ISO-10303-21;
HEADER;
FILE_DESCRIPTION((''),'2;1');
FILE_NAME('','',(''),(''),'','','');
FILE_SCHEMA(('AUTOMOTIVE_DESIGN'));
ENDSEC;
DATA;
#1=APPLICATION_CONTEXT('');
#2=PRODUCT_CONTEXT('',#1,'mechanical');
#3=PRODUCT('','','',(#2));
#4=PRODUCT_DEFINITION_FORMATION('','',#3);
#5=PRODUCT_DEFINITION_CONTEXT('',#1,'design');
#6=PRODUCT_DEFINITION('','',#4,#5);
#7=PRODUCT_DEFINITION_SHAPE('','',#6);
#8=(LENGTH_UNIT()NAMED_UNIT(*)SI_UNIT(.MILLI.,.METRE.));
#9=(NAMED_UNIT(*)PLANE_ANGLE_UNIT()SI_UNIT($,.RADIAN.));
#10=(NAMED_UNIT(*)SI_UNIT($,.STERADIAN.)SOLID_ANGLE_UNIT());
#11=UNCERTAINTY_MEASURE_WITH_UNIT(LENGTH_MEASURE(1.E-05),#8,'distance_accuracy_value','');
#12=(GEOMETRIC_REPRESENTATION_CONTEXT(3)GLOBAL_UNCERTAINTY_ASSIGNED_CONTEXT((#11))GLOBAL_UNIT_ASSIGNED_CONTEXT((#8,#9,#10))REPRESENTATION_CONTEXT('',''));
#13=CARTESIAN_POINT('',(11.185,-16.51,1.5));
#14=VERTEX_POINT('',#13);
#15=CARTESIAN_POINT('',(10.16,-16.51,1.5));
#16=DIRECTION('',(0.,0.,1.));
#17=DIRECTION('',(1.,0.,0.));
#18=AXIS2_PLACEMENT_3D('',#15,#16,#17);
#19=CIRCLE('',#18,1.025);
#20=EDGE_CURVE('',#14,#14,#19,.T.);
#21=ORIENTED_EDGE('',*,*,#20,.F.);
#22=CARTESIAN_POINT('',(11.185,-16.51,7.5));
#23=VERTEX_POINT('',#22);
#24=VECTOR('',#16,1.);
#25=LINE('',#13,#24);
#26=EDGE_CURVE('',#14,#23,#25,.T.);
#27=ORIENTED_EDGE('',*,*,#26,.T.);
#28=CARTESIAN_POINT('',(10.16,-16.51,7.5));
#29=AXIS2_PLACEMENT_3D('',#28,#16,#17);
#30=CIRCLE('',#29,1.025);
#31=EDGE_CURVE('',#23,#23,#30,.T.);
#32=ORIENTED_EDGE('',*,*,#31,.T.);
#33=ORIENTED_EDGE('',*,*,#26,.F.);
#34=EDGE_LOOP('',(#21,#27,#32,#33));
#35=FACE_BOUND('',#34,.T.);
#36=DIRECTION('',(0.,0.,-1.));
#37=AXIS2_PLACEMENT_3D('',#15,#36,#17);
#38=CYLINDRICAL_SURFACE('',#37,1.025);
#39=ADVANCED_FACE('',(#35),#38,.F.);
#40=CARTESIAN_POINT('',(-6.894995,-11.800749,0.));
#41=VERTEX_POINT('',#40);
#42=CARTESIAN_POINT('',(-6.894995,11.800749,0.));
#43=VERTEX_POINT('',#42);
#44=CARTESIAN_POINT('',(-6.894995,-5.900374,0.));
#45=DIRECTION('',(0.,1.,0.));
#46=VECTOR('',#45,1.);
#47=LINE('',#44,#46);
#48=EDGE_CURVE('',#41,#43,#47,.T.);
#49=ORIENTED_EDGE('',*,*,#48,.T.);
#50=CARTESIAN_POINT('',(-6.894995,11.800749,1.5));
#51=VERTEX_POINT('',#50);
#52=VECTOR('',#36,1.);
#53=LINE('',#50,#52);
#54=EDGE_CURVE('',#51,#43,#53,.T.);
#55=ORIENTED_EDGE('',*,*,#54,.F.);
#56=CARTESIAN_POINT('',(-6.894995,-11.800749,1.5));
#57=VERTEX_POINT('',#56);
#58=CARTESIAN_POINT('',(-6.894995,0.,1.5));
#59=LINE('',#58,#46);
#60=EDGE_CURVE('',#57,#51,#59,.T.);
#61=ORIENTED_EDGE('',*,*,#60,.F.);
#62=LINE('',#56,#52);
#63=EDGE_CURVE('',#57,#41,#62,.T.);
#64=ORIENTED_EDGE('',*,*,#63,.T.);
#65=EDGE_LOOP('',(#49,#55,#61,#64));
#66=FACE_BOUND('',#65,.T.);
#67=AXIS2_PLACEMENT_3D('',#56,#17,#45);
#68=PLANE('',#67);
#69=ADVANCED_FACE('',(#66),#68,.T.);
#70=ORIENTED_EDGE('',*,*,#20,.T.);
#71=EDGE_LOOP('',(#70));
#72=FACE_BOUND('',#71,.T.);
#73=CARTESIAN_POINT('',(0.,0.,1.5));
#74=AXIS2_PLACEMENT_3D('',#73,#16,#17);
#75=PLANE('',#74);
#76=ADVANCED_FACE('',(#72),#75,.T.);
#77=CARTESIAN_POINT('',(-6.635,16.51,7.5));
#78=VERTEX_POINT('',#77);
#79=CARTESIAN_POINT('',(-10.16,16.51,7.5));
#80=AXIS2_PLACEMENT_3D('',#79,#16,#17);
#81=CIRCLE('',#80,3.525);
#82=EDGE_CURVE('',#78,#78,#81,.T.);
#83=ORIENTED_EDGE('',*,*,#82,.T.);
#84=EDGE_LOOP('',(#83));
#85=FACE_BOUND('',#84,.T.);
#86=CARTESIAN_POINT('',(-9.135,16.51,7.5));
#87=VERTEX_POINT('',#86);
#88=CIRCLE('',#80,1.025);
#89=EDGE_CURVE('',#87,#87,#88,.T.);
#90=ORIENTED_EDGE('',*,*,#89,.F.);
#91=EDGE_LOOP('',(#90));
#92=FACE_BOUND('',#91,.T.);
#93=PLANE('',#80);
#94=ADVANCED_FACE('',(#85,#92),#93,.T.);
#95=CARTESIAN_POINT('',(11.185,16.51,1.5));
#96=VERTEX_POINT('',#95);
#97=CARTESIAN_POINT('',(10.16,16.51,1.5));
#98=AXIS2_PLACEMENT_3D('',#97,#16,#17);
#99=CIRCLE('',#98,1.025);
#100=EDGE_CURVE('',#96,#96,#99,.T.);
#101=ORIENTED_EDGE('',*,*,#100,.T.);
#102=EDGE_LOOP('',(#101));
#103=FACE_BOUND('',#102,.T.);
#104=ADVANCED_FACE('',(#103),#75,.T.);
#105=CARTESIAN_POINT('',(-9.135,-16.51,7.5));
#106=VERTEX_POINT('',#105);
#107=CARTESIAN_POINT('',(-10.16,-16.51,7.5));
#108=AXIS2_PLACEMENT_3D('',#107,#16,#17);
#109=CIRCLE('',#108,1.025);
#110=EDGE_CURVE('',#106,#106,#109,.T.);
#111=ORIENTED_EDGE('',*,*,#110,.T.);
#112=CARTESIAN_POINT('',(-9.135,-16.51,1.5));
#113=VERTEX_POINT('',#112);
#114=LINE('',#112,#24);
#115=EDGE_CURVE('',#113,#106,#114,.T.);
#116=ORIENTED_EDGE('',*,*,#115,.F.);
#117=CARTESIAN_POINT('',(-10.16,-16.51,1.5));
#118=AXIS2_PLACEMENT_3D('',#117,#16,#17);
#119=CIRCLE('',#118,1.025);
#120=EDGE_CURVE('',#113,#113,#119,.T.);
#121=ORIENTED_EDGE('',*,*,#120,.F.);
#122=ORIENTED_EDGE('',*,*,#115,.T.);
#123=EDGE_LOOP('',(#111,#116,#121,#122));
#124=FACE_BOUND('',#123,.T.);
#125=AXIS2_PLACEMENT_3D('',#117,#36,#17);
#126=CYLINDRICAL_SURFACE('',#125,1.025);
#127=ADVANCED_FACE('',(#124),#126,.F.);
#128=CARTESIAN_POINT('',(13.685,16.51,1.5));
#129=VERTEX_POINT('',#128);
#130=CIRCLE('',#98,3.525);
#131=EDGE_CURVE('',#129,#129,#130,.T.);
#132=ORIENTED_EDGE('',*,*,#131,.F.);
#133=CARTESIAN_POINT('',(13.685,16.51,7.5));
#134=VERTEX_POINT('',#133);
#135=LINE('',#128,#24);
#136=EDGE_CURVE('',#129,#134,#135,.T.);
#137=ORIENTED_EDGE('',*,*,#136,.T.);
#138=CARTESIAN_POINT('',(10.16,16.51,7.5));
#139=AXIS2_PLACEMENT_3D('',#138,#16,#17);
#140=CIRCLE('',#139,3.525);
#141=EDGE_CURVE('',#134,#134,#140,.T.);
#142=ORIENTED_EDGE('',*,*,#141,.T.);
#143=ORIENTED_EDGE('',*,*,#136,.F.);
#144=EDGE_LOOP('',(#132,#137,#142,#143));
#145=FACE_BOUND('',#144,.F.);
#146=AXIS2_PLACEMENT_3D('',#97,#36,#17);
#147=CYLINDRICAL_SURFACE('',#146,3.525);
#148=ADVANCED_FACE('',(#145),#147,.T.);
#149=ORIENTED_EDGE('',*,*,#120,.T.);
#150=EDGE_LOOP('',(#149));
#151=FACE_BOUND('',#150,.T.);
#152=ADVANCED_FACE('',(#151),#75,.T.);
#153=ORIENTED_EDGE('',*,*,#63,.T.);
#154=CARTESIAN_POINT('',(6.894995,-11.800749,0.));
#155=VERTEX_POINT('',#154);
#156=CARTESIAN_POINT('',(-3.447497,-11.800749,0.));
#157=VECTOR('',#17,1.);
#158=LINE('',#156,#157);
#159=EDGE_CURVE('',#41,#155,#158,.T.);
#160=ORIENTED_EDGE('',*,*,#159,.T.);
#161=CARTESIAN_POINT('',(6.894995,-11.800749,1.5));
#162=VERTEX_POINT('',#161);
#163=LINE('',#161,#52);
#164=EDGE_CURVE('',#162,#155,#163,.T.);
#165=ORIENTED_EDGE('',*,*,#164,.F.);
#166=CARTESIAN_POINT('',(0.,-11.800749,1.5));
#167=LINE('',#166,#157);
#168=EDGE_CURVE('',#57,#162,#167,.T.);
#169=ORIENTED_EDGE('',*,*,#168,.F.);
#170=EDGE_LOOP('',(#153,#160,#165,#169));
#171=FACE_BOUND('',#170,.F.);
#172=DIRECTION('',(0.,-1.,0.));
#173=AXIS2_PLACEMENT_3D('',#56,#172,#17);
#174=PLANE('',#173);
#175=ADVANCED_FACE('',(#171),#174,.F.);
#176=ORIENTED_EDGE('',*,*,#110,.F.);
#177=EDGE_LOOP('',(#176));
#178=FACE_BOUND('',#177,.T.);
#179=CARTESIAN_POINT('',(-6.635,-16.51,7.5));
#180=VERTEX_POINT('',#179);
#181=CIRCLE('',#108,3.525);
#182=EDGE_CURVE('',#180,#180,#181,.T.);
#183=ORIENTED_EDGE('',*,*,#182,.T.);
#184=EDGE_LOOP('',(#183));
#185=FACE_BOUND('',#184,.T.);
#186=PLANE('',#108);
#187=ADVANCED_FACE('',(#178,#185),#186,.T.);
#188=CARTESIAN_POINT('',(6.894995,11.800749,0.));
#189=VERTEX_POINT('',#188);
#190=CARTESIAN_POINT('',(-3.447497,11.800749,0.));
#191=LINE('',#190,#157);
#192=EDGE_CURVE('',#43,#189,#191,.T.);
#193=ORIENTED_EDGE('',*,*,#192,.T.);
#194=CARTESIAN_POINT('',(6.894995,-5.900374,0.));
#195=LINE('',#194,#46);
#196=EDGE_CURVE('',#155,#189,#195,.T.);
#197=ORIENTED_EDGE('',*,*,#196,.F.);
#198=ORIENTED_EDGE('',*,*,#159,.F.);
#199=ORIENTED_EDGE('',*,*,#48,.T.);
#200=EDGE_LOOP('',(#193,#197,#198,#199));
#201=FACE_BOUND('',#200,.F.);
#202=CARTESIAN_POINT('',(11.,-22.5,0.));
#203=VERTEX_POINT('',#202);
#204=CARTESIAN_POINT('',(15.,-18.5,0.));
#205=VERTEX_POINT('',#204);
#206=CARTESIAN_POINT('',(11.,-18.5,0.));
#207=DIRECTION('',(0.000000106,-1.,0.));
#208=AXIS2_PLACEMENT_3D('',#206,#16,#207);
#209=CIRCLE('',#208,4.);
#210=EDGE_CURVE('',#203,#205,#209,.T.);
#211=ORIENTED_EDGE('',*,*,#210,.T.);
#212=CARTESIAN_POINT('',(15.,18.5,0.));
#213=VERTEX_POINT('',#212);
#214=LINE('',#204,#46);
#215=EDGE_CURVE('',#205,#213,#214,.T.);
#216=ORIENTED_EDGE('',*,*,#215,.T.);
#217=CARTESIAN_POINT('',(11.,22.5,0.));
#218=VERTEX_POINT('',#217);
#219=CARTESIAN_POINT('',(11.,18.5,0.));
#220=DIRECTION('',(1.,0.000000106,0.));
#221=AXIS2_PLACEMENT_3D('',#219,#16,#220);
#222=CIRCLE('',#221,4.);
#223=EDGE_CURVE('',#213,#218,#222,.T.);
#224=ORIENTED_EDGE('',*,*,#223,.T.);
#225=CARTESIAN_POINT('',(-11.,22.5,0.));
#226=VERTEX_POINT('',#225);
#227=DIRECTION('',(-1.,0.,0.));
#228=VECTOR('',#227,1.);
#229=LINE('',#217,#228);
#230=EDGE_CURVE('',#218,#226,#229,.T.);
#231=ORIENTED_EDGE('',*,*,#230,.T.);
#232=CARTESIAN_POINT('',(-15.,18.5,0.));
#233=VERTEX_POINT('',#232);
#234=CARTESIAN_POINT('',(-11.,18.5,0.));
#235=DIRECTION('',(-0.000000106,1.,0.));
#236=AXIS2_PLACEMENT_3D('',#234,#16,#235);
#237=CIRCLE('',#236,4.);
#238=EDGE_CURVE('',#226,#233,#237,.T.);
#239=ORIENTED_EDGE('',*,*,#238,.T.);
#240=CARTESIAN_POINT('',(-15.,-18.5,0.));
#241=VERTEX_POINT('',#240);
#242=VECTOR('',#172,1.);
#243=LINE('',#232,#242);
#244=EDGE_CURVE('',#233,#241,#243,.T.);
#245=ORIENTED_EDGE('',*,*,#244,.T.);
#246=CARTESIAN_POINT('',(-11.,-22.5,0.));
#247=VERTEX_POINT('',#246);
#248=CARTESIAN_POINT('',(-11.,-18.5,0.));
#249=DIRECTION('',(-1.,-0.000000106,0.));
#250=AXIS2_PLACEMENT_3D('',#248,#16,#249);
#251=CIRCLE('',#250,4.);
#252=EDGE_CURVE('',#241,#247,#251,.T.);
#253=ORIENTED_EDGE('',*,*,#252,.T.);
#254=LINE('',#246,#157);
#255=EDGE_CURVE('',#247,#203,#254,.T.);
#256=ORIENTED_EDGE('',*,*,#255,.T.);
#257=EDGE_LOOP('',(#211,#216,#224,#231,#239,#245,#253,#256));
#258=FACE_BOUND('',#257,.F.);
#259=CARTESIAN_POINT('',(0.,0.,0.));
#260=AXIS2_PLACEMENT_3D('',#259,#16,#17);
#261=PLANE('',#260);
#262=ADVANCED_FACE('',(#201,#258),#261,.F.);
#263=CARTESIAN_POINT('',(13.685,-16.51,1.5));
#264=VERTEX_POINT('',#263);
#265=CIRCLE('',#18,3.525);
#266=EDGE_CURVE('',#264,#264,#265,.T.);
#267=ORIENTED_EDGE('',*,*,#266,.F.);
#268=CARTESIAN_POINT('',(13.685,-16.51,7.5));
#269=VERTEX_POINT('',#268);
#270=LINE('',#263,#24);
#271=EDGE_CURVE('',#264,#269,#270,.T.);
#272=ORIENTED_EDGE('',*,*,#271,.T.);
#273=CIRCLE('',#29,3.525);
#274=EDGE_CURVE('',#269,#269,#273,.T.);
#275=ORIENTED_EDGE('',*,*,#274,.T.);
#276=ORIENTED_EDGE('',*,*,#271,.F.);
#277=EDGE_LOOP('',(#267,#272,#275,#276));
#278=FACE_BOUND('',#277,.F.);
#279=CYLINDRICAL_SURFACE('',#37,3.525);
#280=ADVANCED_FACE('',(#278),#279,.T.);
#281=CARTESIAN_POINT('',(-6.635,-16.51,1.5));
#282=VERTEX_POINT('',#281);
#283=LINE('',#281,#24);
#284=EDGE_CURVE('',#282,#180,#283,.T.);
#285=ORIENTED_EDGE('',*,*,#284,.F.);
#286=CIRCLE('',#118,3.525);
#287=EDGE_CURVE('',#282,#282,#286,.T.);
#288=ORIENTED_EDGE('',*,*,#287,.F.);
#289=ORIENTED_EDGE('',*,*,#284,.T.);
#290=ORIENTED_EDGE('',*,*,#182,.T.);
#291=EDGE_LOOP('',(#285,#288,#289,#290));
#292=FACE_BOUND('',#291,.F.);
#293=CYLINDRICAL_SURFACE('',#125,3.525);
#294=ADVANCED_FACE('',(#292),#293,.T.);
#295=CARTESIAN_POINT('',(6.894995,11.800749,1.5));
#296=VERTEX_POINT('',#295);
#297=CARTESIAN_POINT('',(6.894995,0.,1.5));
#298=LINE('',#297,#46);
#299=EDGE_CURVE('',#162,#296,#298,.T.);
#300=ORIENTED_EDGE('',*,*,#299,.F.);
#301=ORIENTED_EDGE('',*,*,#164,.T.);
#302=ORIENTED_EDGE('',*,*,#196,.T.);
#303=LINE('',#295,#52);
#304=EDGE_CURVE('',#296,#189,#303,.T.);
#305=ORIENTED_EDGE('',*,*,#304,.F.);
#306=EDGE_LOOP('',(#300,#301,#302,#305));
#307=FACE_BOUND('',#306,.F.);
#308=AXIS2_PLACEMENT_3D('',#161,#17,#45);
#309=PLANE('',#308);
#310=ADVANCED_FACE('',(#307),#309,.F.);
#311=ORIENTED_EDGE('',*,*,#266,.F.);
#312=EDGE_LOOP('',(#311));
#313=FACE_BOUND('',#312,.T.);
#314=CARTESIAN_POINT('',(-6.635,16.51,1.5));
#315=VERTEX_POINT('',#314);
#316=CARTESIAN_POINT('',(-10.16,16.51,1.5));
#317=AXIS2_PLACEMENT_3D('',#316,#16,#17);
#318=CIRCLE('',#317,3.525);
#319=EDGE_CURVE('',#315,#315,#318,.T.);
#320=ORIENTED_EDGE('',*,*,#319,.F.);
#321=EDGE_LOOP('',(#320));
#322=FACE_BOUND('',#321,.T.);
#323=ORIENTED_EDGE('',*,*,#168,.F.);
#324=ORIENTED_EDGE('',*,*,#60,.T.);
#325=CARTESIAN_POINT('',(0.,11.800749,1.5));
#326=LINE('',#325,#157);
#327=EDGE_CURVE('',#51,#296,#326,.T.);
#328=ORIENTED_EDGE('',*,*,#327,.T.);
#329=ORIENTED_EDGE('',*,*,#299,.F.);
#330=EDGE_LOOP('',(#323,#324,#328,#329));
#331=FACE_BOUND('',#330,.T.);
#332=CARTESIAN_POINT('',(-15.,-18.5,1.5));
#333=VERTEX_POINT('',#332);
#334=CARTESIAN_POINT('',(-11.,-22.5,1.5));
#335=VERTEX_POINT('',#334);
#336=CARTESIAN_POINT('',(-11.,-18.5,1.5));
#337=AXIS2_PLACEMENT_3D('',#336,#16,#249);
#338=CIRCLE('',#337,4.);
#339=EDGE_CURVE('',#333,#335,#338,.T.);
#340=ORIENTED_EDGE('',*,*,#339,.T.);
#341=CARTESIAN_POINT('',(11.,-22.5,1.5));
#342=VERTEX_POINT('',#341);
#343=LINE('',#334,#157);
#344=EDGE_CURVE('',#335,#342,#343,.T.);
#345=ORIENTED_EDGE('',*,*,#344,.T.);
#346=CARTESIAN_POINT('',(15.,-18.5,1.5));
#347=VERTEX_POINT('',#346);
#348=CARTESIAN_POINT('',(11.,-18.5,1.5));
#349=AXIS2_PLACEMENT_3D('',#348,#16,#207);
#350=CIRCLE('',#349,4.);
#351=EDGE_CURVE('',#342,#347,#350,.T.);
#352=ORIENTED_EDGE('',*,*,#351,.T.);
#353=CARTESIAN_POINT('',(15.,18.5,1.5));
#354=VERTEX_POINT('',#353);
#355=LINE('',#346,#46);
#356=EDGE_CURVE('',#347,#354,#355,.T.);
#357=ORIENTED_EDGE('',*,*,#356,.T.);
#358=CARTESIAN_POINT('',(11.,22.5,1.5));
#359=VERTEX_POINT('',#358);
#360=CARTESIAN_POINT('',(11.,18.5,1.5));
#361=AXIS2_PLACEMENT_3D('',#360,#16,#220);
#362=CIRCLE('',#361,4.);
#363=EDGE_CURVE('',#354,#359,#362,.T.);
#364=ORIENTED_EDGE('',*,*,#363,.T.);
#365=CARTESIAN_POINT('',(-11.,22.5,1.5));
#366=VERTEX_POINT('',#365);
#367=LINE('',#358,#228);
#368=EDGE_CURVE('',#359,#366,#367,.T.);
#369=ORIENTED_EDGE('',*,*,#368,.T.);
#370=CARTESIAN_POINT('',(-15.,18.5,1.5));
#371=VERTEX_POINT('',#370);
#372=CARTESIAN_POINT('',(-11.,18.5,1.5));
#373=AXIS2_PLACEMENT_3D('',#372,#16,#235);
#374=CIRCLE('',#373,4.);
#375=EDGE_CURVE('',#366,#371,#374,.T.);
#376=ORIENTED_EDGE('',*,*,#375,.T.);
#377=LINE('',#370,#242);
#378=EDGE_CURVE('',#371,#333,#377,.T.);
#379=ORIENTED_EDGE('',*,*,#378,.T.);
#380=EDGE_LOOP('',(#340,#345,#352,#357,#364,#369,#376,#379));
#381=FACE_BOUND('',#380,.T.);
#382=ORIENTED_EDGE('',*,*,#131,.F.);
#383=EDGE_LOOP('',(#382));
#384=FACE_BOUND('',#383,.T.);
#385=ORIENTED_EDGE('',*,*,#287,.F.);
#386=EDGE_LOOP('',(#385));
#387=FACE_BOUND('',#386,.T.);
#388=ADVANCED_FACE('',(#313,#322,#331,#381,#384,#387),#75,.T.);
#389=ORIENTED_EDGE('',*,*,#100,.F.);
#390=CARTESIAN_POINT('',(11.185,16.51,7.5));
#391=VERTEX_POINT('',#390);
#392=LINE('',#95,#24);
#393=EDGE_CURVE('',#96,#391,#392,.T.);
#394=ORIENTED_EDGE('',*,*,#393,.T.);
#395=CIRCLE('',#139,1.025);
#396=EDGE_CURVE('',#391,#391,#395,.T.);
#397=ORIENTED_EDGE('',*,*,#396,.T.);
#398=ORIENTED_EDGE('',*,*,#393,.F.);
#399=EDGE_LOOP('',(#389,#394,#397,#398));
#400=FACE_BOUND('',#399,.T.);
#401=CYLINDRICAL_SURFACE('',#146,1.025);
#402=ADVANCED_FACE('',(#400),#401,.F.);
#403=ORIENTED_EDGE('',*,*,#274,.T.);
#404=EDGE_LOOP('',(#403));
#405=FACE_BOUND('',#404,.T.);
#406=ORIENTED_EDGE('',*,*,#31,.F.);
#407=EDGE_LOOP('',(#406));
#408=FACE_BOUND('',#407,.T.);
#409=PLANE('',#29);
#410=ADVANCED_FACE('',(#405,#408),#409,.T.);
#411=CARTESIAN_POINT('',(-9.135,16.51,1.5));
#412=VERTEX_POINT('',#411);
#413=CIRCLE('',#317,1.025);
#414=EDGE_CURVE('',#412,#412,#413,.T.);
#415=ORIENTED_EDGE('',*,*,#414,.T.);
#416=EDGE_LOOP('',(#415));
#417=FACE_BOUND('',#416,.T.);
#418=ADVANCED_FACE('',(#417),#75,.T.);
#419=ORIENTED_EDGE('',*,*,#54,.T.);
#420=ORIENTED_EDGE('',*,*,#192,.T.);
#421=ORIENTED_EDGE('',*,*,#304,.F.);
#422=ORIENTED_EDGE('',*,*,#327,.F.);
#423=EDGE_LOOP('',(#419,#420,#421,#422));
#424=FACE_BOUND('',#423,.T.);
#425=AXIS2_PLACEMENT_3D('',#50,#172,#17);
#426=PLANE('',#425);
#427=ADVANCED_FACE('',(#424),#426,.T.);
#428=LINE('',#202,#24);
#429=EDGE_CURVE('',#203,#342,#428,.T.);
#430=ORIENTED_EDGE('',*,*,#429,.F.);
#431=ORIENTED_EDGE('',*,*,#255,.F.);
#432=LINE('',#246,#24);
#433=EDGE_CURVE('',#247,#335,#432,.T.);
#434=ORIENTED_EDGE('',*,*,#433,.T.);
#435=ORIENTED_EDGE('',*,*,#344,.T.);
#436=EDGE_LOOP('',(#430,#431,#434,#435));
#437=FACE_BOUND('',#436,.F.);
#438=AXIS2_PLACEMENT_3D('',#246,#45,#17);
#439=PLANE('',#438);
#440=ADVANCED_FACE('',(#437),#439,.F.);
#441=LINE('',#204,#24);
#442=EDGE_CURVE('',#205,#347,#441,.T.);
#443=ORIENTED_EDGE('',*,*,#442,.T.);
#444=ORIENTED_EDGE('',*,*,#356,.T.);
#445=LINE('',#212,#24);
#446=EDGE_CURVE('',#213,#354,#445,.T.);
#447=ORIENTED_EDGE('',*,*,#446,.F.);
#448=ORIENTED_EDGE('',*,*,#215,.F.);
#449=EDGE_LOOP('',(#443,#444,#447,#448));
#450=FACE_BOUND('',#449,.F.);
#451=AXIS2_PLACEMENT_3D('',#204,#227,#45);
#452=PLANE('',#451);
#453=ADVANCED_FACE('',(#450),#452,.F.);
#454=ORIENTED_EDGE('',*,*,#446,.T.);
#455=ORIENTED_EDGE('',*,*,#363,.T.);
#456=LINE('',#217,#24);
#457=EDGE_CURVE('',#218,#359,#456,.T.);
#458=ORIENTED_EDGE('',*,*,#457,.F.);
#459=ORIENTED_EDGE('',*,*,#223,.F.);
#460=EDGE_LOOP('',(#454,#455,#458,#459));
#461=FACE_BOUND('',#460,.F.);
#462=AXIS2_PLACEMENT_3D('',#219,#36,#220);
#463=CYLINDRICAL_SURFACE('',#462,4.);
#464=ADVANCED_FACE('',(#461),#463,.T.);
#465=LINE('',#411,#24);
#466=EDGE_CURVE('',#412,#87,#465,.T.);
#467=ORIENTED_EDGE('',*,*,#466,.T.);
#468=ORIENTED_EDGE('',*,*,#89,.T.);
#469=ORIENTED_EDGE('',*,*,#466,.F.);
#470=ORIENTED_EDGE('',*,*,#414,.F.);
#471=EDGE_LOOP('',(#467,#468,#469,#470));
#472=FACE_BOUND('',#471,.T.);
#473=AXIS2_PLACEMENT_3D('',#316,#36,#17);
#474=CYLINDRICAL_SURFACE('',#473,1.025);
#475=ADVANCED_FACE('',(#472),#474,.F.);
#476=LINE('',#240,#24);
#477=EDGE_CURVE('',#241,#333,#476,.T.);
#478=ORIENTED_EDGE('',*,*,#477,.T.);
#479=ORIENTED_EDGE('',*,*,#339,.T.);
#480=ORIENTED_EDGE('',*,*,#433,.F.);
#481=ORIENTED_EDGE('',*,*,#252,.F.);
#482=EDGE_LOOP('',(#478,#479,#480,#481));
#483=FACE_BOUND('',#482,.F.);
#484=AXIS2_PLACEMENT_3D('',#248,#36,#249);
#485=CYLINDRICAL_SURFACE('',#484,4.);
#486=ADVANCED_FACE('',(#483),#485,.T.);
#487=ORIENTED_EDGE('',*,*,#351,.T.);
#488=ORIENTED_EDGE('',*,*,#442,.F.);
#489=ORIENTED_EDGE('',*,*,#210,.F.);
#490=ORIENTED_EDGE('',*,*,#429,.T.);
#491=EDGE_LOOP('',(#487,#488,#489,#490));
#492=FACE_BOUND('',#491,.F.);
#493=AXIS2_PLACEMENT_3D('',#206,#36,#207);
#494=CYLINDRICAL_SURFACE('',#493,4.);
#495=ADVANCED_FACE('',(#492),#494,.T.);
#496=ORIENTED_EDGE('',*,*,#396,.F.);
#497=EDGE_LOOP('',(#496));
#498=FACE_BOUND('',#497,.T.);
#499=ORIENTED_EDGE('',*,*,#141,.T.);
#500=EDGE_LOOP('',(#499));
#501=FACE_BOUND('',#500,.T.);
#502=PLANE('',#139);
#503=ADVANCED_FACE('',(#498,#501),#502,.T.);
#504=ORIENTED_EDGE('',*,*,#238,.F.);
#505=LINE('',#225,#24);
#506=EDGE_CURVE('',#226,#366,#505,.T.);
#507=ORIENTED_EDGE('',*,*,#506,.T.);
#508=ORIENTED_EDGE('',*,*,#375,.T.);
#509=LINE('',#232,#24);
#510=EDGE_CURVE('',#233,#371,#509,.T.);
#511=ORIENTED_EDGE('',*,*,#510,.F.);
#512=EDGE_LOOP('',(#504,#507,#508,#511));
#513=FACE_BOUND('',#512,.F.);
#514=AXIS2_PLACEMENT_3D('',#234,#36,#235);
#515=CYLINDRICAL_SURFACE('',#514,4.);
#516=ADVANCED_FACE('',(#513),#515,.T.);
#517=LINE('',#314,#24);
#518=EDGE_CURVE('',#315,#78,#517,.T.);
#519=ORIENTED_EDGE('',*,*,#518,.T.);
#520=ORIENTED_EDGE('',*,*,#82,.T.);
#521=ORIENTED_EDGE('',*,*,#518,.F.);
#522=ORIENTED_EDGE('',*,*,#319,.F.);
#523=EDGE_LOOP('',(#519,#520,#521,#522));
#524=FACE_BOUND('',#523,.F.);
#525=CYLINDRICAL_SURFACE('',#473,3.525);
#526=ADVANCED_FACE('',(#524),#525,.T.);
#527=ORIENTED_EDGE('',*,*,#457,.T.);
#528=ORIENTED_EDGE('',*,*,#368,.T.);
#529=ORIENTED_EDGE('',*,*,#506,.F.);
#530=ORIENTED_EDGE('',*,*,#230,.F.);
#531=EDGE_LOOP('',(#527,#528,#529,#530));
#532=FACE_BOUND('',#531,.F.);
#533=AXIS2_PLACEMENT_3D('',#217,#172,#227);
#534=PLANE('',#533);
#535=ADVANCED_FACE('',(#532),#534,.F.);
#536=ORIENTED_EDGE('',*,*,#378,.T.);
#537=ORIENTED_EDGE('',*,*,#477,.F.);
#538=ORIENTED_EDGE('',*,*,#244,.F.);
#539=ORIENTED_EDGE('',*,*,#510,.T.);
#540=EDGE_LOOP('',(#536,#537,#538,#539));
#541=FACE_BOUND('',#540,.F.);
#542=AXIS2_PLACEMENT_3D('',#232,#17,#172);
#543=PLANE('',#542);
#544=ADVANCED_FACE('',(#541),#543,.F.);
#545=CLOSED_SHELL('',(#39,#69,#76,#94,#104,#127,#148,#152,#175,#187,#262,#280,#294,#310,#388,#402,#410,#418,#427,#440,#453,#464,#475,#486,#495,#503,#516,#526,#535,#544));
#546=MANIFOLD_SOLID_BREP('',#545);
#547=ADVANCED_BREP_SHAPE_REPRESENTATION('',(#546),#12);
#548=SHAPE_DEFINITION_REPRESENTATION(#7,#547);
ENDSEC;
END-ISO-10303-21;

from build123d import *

# Parameters (mm, degrees)
F1_DEPTH = 1.5
F2_R     = 3.525
F2_R_2   = 1.025
F3_DEPTH = 6
F4_W     = 13.78999
F4_H     = 23.601498
F5_DEPTH = 2


with BuildPart() as f1:
    # F0 (on Top) → F1 (new body)
    with BuildSketch(Plane.XY):
        with BuildLine():
            Line((11, 22.5), (-11, 22.5))
            ThreePointArc((-11, 22.5), (-13.828427, 21.328427), (-15, 18.5))
            Line((-15, 18.5), (-15, -18.5))
            ThreePointArc((-15, -18.5), (-13.828427, -21.328427), (-11, -22.5))
            Line((-11, -22.5), (11, -22.5))
            ThreePointArc((11, -22.5), (13.828427, -21.328427), (15, -18.5))
            Line((15, -18.5), (15, 18.5))
            ThreePointArc((15, 18.5), (13.828427, 21.328427), (11, 22.5))
        make_face()
    extrude(amount=F1_DEPTH)

    # F2 (on face) → F3 (join)
    with BuildSketch(Plane.XY.offset(1.5)):
        with Locations((-10.16, 16.51)):
            Circle(F2_R)
        with Locations((-10.16, 16.51)):
            Circle(F2_R_2, mode=Mode.SUBTRACT)
        with Locations((10.16, 16.51)):
            Circle(F2_R)
        with Locations((10.16, 16.51)):
            Circle(F2_R_2, mode=Mode.SUBTRACT)
        with Locations((-10.16, -16.51)):
            Circle(F2_R)
        with Locations((-10.16, -16.51)):
            Circle(F2_R_2, mode=Mode.SUBTRACT)
        with Locations((10.16, -16.51)):
            Circle(F2_R)
        with Locations((10.16, -16.51)):
            Circle(F2_R_2, mode=Mode.SUBTRACT)
    extrude(amount=F3_DEPTH)

    # F4 (on face) → F5 (cut)
    with BuildSketch(Plane.XY.offset(1.5)):
        Rectangle(F4_W, F4_H)
    extrude(amount=-F5_DEPTH, mode=Mode.SUBTRACT)


solid = f1.part
